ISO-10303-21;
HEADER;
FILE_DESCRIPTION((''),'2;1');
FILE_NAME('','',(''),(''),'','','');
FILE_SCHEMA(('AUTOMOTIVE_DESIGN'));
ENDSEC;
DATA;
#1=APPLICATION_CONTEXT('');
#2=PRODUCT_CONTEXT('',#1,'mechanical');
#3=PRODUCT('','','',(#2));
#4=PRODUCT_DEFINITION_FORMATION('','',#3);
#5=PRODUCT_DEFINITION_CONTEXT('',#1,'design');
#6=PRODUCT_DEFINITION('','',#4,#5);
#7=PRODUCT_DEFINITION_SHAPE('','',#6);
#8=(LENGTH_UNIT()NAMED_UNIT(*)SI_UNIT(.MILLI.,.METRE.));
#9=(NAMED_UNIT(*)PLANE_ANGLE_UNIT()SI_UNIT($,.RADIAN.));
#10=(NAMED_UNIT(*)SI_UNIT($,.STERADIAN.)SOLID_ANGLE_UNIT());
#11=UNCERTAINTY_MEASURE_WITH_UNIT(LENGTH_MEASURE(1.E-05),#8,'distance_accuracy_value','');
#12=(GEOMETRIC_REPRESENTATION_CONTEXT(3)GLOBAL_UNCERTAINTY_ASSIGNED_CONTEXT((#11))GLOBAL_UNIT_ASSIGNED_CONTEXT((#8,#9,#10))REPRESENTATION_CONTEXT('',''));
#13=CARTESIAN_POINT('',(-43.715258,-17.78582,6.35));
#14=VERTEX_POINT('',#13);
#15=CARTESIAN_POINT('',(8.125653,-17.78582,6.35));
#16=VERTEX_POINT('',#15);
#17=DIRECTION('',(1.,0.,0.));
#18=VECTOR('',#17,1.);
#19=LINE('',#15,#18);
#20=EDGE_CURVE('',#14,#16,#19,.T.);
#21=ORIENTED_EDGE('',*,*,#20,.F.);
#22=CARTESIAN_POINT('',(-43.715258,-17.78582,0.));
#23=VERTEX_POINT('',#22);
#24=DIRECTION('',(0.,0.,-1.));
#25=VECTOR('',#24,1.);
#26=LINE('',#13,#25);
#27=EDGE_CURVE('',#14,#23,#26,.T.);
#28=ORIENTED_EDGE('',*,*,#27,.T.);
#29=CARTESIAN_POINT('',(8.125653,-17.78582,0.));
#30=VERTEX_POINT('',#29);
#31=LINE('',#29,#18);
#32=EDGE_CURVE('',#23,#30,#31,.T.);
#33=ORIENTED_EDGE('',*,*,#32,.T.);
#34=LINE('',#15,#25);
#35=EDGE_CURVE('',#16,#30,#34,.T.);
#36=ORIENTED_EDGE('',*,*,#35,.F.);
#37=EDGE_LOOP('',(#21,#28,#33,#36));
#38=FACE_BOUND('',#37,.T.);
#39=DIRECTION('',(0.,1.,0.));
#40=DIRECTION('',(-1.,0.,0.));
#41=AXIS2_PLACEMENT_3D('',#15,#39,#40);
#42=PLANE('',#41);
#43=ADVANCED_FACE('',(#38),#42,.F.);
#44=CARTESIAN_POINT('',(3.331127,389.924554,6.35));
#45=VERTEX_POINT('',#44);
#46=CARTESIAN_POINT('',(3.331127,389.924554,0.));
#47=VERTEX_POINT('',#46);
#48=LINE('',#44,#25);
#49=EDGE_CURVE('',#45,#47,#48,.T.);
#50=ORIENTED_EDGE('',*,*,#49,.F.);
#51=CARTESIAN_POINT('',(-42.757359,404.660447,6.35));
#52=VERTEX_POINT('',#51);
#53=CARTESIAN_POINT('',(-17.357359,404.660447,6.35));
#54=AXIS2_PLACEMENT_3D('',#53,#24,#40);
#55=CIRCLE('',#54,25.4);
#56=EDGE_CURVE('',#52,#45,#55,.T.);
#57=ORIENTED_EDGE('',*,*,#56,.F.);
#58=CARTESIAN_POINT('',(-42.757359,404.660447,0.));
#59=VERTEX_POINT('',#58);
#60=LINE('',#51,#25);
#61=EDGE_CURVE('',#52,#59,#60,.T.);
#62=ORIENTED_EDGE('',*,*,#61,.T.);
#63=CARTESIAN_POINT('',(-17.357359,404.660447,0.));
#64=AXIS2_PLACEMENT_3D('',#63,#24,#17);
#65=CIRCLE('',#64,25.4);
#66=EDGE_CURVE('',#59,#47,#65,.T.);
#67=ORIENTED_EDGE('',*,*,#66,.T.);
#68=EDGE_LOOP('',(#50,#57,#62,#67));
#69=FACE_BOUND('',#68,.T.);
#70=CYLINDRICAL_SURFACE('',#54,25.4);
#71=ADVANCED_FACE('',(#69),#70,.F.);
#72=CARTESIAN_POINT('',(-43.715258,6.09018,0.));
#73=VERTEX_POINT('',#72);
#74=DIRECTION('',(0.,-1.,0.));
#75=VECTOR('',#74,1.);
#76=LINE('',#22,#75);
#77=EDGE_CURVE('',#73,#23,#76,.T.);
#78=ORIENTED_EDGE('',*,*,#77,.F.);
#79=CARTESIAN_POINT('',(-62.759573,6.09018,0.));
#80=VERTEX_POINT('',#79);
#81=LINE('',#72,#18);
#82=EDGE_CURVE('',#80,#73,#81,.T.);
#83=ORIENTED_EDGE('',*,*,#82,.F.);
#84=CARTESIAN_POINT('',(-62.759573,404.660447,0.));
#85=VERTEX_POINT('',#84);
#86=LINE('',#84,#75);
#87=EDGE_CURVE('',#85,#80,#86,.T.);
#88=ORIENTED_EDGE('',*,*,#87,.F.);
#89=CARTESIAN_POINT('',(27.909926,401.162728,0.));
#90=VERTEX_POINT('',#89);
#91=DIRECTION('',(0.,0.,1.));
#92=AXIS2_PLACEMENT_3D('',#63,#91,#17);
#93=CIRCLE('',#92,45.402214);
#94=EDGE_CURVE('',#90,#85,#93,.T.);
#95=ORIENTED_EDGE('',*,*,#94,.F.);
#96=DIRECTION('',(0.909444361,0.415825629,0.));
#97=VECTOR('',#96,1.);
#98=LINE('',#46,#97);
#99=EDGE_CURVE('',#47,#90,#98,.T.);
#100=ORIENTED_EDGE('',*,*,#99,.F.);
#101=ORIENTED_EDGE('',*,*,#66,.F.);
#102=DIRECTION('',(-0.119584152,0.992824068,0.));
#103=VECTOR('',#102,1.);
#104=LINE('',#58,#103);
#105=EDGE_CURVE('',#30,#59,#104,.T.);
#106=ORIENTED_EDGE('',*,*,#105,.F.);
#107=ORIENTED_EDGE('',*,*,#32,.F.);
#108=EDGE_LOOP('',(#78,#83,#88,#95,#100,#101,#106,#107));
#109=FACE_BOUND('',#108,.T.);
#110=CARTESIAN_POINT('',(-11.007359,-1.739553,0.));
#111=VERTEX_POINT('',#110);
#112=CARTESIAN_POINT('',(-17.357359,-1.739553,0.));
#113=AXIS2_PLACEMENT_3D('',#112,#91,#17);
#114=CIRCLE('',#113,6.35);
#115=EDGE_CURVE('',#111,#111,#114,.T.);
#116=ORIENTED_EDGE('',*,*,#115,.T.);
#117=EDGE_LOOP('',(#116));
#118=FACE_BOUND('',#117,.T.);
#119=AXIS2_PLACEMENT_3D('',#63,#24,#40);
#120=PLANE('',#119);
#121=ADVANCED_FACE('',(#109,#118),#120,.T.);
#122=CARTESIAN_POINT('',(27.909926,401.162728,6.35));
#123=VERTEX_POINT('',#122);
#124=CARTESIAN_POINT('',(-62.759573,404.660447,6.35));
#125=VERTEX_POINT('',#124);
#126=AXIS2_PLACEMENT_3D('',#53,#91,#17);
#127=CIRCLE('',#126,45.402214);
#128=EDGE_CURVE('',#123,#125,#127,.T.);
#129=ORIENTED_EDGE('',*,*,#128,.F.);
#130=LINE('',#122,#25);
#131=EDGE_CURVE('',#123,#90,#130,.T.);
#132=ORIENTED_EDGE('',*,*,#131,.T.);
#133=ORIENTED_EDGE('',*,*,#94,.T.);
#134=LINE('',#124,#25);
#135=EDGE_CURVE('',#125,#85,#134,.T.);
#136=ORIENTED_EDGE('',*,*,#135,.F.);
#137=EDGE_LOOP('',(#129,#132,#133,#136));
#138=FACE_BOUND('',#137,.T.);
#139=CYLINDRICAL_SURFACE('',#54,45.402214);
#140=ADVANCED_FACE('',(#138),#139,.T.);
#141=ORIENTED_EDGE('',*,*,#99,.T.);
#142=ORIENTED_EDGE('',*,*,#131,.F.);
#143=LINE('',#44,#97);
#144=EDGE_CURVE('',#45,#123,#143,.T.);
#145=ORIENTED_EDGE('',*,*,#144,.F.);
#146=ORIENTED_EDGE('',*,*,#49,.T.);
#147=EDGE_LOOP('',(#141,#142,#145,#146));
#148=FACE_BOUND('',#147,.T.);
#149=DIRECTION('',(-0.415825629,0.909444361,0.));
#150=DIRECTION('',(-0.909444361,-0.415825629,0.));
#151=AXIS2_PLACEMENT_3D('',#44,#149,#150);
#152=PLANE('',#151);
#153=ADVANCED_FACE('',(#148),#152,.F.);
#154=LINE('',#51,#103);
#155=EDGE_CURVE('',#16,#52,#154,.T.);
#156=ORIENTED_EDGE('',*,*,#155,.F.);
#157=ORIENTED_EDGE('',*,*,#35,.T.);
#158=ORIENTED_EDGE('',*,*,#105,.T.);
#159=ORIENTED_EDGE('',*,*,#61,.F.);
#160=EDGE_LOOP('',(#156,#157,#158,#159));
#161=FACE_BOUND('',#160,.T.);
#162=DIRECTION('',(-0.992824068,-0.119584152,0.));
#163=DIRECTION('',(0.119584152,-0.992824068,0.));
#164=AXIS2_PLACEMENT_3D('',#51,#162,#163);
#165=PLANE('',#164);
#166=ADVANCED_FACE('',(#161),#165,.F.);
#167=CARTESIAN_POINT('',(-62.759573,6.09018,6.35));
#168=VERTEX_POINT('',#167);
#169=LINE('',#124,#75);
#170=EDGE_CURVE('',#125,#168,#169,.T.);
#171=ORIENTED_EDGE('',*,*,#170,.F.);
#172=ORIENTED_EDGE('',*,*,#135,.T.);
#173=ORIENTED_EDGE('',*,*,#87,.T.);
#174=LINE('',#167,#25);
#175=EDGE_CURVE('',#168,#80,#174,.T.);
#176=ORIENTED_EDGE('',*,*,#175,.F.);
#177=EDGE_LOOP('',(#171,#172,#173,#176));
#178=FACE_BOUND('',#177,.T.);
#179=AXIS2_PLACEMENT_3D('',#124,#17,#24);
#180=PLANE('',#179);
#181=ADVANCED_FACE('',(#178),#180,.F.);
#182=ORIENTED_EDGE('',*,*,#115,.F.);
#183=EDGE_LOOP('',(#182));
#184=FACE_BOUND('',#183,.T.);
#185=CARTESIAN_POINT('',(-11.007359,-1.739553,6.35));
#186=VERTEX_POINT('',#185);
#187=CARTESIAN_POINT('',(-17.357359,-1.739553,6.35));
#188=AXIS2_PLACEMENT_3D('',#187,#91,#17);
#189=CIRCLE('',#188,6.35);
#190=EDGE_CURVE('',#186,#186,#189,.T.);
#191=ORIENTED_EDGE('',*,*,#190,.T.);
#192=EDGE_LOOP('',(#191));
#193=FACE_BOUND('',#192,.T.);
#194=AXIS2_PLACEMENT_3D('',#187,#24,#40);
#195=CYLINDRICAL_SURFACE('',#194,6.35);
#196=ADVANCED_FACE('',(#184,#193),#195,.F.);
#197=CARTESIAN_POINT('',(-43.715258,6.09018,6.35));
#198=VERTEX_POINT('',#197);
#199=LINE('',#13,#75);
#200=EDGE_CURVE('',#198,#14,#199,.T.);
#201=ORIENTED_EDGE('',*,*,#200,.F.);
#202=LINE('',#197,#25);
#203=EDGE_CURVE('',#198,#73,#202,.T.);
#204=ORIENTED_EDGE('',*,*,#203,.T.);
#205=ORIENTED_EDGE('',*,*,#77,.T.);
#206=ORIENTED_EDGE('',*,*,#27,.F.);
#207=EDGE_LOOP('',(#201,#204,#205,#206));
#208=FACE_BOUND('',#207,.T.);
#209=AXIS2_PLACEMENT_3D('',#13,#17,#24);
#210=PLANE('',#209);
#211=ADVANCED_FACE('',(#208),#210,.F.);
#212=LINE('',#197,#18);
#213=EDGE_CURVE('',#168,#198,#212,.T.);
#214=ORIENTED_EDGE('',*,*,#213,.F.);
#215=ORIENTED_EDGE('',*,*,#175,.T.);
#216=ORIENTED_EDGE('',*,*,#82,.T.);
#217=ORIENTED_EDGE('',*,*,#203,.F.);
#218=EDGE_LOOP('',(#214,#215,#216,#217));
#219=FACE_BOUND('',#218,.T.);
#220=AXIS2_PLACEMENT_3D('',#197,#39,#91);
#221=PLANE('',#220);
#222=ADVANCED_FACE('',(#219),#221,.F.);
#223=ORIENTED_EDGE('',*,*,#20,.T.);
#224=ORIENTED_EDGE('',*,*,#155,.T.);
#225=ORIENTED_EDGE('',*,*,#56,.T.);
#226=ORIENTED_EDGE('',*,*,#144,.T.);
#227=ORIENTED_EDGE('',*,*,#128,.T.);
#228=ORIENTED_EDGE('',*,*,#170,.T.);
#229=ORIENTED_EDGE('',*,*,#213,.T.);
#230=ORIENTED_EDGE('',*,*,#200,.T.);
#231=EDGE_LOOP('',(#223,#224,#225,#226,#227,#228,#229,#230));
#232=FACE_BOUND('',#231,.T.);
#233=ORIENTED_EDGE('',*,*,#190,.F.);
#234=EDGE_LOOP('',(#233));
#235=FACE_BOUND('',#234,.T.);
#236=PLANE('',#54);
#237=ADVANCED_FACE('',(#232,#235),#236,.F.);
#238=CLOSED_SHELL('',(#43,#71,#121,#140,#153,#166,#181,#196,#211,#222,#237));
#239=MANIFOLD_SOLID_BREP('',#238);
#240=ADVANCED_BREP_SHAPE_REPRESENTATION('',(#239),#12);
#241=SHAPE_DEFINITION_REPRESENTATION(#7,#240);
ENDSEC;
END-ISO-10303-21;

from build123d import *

# Parameters (mm, degrees)
SKETCH1_R           = 6.35
BOSS_EXTRUDE1_DEPTH = 6.35


with BuildPart() as part:
    # Sketch1 → Boss-Extrude1 (new body)
    with BuildSketch(Plane.XY):
        with BuildLine():
            Line((3.331127109, 389.92455355), (27.90992579, 401.162728042))
            ThreePointArc((27.90992579, 401.162728042), (-15.607198263, 450.028916488), (-62.759573024, 404.660447113))
            Line((-62.759573024, 404.660447113), (-62.759573024, 6.090179643))
            Line((-62.759573024, 6.090179643), (-43.715258354, 6.090179643))
            Line((-43.715258354, 6.090179643), (-43.715258354, -17.785820357))
            Line((-43.715258354, -17.785820357), (8.125653236, -17.785820357))
            Line((8.125653236, -17.785820357), (-42.757358599, 404.660447113))
            ThreePointArc((-42.757358599, 404.660447113), (-17.357358599, 430.060447113), (8.042641401, 404.660447113))
            ThreePointArc((8.042641401, 404.660447113), (6.83610681, 396.925058855), (3.331127109, 389.92455355))
        make_face()
        with Locations((-17.357358599, -1.739552887)):
            Circle(SKETCH1_R, mode=Mode.SUBTRACT)
    extrude(amount=BOSS_EXTRUDE1_DEPTH)


solid = part.part
